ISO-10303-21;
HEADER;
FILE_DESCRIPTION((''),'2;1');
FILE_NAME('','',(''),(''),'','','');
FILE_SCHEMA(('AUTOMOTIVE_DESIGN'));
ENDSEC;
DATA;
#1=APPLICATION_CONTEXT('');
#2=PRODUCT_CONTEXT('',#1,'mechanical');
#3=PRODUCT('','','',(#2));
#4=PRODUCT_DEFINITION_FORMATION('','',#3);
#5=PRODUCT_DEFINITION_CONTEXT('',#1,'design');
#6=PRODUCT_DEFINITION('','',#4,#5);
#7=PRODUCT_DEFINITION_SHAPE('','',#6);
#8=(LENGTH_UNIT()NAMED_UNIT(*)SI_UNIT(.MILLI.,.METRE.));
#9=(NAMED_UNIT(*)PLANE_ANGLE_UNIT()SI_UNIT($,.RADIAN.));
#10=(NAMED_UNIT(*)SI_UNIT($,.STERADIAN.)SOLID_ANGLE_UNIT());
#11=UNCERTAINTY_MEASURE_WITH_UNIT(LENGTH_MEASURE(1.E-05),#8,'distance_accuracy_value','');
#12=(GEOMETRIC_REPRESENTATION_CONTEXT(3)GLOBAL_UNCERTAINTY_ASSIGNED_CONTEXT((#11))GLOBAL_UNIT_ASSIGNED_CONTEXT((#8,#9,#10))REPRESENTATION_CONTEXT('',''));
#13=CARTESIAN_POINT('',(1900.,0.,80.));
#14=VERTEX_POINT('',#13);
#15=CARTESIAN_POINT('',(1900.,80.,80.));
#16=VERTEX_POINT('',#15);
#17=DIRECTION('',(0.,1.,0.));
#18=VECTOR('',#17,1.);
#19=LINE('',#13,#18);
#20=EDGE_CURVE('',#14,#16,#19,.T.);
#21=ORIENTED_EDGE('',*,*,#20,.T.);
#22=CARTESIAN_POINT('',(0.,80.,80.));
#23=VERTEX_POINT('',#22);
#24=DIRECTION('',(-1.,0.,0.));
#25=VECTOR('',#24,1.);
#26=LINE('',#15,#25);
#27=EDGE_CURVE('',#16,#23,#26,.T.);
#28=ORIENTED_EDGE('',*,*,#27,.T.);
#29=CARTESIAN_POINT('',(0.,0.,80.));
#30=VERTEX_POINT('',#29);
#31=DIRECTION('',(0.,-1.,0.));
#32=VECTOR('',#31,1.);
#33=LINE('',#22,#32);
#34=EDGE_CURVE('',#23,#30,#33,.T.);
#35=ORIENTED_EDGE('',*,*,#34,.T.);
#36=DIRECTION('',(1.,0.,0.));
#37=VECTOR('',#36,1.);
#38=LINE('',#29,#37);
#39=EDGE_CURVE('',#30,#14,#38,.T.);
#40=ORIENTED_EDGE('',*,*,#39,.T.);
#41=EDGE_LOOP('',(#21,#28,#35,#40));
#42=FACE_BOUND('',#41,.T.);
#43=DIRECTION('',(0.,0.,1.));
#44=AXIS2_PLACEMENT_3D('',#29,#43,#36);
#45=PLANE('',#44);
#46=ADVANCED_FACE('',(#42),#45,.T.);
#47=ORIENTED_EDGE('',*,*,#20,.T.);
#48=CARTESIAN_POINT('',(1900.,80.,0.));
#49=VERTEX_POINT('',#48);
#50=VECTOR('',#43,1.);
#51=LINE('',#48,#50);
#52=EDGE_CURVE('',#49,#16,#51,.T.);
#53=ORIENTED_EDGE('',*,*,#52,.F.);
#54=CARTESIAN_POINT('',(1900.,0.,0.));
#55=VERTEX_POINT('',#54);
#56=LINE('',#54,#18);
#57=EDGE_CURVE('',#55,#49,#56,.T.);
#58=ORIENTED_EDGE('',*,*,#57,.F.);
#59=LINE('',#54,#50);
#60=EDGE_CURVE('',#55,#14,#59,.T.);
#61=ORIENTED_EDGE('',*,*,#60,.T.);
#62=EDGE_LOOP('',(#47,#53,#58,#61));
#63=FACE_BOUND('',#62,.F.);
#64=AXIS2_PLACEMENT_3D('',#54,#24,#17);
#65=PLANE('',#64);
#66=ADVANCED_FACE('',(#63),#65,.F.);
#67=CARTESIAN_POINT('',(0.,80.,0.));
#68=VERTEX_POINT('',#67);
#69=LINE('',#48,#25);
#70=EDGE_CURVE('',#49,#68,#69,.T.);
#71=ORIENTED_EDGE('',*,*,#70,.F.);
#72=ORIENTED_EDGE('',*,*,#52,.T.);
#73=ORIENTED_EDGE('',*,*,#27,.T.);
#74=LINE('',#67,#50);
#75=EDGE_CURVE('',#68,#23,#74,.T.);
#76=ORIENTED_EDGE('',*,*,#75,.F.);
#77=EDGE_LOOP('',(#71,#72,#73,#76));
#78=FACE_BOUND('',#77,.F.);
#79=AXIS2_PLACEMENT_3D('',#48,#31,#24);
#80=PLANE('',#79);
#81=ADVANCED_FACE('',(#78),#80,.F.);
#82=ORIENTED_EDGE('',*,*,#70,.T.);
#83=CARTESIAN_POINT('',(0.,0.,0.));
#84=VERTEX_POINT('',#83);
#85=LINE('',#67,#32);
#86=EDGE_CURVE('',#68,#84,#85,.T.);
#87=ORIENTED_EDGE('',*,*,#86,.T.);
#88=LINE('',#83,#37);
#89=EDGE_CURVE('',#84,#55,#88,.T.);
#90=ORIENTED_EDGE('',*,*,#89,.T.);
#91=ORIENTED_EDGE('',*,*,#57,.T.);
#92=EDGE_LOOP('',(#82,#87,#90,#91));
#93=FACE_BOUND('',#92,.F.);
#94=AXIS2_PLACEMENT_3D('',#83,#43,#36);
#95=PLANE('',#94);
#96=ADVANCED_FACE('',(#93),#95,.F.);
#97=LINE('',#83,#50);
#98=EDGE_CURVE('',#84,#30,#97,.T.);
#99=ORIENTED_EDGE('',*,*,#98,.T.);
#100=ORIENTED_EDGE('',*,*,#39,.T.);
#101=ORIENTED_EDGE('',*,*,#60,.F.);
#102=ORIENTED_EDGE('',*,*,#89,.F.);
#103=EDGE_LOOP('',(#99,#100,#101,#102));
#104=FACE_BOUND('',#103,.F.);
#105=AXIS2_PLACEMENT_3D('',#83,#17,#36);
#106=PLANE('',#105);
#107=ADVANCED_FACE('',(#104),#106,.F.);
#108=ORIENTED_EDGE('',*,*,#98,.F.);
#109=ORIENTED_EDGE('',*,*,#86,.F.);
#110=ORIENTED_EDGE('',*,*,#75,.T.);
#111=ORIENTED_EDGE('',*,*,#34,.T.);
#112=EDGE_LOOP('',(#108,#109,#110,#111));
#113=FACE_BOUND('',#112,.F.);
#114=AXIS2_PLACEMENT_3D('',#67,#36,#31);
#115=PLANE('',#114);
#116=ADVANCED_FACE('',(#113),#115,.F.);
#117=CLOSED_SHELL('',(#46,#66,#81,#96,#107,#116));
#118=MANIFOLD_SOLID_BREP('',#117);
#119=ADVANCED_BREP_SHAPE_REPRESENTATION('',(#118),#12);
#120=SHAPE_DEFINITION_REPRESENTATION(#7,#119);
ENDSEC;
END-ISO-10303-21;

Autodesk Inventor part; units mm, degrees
ref_plane "YZ Plane" through (0, 0, 0) normal (1, 0, 0) x (0, 1, 0)
ref_plane "XZ Plane" through (0, 0, 0) normal (0, 1, 0) x (-1, 0, 0)
ref_plane "XY Plane" through (0, 0, 0) normal (0, 0, 1) x (1, 0, 0)
sketch "Sketch1" plane through (0, 0, 0) normal (0, 0, 1) x (1, 0, 0)
  line L0 (0, 0) -> (1900, 0)
  line L1 (1900, 0) -> (1900, 80)
  line L2 (1900, 80) -> (0, 80)
  line L3 (0, 80) -> (0, 0)
  dimension "d0" = 1900
  dimension "d1" = 80
extrude "Extrusion1" add sketch "Sketch1" along normal blind 80
properties part number "Support Bar"
